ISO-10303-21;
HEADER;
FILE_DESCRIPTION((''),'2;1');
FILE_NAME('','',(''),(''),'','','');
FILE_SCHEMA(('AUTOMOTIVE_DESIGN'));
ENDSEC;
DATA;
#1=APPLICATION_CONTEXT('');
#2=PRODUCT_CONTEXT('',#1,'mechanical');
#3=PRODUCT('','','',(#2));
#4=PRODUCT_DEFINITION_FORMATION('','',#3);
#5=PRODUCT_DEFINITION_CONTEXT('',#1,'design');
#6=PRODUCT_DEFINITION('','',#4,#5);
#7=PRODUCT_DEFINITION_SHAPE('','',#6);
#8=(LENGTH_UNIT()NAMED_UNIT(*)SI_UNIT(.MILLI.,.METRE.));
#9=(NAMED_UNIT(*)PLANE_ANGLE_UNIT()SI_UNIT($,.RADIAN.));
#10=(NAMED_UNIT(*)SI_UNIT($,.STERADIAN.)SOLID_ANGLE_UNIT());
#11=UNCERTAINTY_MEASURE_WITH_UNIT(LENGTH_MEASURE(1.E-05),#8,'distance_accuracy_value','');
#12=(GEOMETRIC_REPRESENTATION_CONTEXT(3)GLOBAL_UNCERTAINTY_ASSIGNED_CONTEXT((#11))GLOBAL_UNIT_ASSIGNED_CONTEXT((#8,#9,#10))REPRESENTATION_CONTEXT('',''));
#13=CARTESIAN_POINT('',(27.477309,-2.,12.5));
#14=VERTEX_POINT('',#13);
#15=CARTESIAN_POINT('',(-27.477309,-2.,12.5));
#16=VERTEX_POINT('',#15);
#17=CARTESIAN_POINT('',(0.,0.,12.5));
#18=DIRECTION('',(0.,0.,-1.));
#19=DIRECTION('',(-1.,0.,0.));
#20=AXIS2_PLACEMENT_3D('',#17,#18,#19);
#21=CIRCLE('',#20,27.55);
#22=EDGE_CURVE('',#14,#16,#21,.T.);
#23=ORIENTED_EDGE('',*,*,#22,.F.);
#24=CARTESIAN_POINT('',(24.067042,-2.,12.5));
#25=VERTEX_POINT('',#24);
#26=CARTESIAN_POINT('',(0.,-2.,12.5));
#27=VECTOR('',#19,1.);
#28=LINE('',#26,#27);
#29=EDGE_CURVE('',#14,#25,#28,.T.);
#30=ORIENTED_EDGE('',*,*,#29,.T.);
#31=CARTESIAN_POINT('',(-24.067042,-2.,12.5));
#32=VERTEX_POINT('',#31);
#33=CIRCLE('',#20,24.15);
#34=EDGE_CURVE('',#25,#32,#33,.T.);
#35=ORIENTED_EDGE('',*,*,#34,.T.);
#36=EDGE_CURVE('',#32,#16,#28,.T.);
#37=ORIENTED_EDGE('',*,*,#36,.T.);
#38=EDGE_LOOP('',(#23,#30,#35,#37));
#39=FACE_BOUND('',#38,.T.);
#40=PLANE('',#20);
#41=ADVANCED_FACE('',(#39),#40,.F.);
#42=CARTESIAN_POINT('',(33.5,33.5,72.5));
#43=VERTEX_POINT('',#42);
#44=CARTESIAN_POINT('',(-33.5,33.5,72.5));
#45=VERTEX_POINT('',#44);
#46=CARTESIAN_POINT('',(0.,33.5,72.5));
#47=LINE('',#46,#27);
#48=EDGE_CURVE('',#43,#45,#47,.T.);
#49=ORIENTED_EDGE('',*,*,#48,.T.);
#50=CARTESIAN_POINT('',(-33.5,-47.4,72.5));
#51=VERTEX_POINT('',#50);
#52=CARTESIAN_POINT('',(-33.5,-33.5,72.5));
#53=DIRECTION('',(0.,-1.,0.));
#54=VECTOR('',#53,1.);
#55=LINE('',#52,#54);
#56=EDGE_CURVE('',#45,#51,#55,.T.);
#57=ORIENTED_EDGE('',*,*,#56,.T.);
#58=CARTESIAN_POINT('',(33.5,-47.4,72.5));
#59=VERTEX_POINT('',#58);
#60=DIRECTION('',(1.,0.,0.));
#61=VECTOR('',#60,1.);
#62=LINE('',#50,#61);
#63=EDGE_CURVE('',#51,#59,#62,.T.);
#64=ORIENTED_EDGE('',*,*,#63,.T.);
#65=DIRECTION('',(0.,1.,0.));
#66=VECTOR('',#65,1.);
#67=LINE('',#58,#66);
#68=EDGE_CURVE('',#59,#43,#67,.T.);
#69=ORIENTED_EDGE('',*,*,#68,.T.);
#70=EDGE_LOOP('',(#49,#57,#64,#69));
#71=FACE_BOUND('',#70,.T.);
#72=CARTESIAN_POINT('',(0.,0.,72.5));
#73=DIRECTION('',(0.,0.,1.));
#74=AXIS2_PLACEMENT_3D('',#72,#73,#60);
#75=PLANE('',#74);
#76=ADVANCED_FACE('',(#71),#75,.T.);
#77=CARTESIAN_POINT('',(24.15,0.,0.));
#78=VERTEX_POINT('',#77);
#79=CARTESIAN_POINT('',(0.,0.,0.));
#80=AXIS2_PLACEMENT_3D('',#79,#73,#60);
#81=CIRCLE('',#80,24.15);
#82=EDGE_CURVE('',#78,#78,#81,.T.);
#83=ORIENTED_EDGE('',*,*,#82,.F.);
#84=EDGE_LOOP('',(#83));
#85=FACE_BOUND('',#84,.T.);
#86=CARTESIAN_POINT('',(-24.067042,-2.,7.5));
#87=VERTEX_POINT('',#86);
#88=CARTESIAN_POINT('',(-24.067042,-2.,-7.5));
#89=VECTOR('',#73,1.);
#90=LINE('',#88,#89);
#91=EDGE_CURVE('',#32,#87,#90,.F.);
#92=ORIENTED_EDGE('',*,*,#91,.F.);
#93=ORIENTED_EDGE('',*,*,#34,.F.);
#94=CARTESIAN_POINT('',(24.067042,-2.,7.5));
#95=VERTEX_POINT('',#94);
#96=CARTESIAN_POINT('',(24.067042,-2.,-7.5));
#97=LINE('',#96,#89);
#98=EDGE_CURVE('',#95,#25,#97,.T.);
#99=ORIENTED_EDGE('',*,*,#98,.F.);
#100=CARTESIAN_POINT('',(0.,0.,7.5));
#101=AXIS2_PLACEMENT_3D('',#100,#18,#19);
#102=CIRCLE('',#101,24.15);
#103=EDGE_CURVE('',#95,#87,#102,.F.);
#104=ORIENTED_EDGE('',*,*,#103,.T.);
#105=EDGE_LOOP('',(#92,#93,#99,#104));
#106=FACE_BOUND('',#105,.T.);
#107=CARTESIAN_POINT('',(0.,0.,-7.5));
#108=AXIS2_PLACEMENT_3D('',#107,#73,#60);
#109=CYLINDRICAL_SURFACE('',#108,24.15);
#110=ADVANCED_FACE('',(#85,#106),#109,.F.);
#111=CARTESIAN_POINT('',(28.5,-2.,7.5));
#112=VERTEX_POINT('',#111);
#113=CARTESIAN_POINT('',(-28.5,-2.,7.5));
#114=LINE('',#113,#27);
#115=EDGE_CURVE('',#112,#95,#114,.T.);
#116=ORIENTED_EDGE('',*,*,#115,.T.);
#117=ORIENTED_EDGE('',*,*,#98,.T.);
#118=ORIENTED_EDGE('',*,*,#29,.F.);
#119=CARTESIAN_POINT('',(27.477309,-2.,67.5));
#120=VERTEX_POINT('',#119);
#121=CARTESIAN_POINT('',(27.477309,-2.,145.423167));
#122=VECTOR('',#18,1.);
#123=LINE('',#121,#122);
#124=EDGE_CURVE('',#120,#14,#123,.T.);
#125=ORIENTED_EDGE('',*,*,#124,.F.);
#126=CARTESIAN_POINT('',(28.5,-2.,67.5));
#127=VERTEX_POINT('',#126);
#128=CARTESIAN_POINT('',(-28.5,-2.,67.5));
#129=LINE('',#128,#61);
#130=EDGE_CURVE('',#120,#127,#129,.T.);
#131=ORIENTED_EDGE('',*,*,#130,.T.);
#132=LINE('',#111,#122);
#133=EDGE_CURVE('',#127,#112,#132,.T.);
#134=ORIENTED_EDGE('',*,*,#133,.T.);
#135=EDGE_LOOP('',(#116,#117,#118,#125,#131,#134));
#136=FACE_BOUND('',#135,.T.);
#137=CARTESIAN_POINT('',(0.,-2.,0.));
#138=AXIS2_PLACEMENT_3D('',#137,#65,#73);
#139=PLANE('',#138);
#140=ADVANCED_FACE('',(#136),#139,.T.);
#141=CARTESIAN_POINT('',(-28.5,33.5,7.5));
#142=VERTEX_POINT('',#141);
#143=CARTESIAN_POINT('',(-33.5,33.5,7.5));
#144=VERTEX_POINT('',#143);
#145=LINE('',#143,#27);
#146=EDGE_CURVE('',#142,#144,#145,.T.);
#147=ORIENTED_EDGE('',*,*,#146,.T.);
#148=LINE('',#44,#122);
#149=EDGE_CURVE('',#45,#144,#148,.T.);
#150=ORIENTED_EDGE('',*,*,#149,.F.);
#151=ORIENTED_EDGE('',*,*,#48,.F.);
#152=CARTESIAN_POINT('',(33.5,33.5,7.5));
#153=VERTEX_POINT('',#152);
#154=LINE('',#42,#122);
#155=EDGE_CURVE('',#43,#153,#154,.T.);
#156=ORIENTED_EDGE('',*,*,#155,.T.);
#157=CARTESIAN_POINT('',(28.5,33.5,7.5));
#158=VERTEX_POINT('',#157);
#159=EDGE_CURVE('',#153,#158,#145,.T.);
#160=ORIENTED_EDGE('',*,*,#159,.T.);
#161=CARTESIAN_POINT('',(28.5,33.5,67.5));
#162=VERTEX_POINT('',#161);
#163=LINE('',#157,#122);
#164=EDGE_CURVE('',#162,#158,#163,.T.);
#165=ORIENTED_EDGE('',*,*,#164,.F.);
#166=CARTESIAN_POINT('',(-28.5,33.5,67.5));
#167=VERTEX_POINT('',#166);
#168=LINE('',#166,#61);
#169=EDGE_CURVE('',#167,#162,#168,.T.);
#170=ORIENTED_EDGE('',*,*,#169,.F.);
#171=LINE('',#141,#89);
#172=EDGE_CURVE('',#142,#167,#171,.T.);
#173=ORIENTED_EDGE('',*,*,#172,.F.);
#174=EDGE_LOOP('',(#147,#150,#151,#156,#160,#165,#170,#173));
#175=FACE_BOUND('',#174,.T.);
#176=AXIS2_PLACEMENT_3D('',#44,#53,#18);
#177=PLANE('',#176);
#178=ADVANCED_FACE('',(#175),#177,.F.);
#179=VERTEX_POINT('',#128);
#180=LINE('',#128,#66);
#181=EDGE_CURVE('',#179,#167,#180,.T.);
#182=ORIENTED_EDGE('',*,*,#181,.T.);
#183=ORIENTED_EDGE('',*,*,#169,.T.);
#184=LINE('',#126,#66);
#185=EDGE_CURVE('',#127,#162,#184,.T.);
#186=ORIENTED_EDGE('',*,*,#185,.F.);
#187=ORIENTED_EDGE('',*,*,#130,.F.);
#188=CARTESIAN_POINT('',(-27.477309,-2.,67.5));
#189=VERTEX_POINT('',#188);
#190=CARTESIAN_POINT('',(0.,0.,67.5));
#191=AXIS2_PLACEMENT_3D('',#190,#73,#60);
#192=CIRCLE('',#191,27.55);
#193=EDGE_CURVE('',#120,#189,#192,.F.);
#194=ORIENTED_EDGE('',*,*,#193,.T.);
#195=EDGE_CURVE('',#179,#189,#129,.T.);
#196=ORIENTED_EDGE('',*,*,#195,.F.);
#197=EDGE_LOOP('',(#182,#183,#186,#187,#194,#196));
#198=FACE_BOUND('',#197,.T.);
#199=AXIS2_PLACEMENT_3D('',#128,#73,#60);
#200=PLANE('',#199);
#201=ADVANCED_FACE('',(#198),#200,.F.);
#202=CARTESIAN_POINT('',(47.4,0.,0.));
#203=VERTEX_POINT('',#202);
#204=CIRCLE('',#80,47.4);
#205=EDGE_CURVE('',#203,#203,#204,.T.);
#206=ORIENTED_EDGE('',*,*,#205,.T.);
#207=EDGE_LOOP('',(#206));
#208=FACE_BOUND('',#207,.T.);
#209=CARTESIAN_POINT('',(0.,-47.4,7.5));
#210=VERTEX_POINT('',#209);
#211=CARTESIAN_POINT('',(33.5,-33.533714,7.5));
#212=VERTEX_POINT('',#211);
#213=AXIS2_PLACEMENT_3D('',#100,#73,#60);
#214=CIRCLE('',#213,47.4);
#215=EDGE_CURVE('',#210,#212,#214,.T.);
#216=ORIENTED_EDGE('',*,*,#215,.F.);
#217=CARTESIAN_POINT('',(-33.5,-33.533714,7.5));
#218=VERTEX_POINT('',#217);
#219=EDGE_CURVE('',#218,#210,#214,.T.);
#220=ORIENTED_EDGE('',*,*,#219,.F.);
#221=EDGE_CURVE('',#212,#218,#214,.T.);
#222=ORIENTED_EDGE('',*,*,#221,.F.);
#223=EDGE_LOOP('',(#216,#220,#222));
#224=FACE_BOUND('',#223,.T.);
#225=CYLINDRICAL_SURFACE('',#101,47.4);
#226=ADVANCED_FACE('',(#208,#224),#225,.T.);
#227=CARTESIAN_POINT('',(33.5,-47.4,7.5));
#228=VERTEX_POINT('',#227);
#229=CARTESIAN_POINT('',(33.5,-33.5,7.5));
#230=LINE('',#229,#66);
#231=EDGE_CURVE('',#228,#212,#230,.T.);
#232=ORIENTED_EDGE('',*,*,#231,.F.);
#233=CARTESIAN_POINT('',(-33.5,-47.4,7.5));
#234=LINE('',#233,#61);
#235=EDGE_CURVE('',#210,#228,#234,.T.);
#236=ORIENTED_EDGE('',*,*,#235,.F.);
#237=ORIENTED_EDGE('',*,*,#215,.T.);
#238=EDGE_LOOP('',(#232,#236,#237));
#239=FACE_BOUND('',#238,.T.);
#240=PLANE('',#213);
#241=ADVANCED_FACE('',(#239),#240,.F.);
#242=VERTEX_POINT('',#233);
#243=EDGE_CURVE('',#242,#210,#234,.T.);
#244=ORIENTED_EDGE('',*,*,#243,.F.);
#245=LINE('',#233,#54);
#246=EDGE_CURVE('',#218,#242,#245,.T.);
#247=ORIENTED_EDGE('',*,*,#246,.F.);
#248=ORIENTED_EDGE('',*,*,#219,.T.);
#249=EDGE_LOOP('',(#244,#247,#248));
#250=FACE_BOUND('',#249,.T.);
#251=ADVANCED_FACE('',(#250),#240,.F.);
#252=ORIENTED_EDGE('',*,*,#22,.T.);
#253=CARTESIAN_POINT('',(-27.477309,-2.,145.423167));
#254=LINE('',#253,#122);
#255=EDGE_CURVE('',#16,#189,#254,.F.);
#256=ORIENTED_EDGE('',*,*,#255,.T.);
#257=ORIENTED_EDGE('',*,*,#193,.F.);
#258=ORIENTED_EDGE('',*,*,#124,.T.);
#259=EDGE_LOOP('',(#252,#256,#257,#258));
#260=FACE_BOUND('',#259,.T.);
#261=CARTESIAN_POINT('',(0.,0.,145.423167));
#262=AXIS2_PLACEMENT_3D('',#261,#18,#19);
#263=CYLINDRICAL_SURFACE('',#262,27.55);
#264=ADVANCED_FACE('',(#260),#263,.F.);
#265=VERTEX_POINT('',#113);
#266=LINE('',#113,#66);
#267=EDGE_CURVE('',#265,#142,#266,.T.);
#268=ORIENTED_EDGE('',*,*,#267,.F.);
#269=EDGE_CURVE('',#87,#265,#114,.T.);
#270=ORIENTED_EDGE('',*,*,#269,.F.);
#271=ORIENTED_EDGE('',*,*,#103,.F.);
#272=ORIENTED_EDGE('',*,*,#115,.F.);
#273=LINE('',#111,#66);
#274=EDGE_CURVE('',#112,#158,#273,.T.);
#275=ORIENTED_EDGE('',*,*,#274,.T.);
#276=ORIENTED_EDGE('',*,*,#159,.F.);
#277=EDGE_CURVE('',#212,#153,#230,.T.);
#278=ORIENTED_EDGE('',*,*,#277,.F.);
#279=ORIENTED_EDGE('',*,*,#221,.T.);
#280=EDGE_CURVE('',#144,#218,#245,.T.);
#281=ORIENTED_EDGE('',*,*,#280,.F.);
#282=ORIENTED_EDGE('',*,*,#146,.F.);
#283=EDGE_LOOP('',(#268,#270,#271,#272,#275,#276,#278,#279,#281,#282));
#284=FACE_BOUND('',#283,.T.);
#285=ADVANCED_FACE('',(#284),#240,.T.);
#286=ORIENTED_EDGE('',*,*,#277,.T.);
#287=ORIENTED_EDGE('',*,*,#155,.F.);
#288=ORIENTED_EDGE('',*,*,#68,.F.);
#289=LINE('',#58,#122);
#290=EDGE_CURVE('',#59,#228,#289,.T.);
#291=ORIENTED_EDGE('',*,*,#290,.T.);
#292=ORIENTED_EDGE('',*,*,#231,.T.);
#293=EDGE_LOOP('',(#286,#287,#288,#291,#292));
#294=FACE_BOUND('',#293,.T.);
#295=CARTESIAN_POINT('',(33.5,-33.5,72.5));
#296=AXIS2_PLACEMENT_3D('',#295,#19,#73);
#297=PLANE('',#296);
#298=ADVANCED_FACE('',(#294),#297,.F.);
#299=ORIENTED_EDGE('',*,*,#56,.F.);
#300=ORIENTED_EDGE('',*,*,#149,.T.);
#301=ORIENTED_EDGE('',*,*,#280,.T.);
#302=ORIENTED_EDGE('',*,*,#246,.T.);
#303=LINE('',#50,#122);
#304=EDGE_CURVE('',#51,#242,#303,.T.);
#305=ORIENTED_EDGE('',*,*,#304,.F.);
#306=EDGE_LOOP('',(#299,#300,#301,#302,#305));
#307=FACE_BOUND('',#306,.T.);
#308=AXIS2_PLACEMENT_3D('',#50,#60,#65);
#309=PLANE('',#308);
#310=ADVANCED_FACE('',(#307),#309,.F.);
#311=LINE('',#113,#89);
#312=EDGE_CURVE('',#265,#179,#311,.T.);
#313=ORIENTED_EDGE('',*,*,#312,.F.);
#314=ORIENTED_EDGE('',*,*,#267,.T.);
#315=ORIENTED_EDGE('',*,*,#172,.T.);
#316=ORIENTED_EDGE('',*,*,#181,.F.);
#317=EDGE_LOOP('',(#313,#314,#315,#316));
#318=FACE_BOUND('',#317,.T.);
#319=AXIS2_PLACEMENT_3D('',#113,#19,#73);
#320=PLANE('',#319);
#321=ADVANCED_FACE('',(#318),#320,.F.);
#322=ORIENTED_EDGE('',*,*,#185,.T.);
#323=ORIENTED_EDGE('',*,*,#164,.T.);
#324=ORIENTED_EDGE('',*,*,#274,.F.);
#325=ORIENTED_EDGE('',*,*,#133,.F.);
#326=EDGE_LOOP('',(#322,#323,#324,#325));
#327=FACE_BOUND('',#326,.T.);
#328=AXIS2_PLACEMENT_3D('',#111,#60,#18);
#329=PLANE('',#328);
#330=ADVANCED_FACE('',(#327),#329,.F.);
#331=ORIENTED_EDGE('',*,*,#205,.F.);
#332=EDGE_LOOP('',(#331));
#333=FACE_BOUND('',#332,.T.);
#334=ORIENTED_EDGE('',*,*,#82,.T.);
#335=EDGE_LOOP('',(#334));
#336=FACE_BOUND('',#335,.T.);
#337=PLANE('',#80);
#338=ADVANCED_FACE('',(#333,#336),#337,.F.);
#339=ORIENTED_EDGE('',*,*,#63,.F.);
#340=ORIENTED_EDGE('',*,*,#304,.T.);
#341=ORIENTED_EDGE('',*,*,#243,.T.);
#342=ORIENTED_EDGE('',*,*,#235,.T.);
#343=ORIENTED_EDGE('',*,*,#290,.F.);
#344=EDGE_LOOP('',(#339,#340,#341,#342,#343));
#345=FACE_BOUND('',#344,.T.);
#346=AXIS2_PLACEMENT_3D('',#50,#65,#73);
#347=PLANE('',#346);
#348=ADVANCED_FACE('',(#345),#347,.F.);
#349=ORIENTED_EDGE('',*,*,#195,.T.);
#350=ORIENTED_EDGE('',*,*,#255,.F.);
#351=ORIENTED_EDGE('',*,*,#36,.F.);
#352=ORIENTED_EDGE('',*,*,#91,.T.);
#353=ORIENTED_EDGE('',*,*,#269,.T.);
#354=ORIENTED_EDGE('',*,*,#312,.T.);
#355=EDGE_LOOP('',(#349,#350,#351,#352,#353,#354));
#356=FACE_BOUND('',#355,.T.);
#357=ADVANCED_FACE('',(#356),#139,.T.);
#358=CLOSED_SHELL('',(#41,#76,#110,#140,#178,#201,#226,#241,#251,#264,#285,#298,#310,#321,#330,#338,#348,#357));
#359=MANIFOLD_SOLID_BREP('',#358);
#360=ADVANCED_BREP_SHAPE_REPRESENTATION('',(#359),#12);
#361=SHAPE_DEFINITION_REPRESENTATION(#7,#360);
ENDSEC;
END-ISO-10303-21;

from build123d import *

# Parameters (mm, degrees)
SKETCH3_R           = 47.4
BOSS_EXTRUDE2_DEPTH = 7.5
SKETCH4_R           = 24.15
CUT_EXTRUDE1_DEPTH  = 15
BOSS_EXTRUDE4_DEPTH = 65
SKETCH6_R           = 24.15
CUT_EXTRUDE2_DEPTH  = 5
SKETCH7_W           = 57
SKETCH7_H           = 60
CUT_EXTRUDE3_DEPTH  = 35.5
SKETCH8_R           = 27.55
CUT_EXTRUDE4_DEPTH  = 55


with BuildPart() as part:
    # Sketch3 → Boss-Extrude2 (new body)
    with BuildSketch(Plane.XY):
        Circle(SKETCH3_R)
    extrude(amount=BOSS_EXTRUDE2_DEPTH)

    # Sketch4 → Cut-Extrude1 (cut)
    with BuildSketch(Plane.XY.offset(7.5)):
        Circle(SKETCH4_R)
    extrude(amount=-CUT_EXTRUDE1_DEPTH, mode=Mode.SUBTRACT)

    # Sketch5 → Boss-Extrude4 (add)
    with BuildSketch(Plane.XY.offset(7.5)):
        Polygon((-33.5, -47.4), (33.5, -47.4), (33.5, -33.5), (33.5, 33.5), (0, 33.5), (-33.5, 33.5), (-33.5, -33.5), align=None)
    extrude(amount=BOSS_EXTRUDE4_DEPTH)

    # Sketch6 → Cut-Extrude2 (cut)
    with BuildSketch(Plane(origin=(0, 0, 7.5), x_dir=(-1, 0, 0), z_dir=(0, 0, -1))):
        Circle(SKETCH6_R)
    extrude(amount=-CUT_EXTRUDE2_DEPTH, mode=Mode.SUBTRACT)

    # Sketch7 → Cut-Extrude3 (cut)
    with BuildSketch(Plane(origin=(0, 33.5, 0), x_dir=(1, 0, 0), z_dir=(0, 1, 0))):
        with Locations((0, -37.5)):
            Rectangle(SKETCH7_W, SKETCH7_H)
    extrude(amount=-CUT_EXTRUDE3_DEPTH, mode=Mode.SUBTRACT)

    # Sketch8 → Cut-Extrude4 (cut)
    with BuildSketch(Plane(origin=(0, 0, 12.5), x_dir=(-1, 0, 0), z_dir=(0, 0, -1))):
        Circle(SKETCH8_R)
    extrude(amount=-CUT_EXTRUDE4_DEPTH, mode=Mode.SUBTRACT)


solid = part.part
